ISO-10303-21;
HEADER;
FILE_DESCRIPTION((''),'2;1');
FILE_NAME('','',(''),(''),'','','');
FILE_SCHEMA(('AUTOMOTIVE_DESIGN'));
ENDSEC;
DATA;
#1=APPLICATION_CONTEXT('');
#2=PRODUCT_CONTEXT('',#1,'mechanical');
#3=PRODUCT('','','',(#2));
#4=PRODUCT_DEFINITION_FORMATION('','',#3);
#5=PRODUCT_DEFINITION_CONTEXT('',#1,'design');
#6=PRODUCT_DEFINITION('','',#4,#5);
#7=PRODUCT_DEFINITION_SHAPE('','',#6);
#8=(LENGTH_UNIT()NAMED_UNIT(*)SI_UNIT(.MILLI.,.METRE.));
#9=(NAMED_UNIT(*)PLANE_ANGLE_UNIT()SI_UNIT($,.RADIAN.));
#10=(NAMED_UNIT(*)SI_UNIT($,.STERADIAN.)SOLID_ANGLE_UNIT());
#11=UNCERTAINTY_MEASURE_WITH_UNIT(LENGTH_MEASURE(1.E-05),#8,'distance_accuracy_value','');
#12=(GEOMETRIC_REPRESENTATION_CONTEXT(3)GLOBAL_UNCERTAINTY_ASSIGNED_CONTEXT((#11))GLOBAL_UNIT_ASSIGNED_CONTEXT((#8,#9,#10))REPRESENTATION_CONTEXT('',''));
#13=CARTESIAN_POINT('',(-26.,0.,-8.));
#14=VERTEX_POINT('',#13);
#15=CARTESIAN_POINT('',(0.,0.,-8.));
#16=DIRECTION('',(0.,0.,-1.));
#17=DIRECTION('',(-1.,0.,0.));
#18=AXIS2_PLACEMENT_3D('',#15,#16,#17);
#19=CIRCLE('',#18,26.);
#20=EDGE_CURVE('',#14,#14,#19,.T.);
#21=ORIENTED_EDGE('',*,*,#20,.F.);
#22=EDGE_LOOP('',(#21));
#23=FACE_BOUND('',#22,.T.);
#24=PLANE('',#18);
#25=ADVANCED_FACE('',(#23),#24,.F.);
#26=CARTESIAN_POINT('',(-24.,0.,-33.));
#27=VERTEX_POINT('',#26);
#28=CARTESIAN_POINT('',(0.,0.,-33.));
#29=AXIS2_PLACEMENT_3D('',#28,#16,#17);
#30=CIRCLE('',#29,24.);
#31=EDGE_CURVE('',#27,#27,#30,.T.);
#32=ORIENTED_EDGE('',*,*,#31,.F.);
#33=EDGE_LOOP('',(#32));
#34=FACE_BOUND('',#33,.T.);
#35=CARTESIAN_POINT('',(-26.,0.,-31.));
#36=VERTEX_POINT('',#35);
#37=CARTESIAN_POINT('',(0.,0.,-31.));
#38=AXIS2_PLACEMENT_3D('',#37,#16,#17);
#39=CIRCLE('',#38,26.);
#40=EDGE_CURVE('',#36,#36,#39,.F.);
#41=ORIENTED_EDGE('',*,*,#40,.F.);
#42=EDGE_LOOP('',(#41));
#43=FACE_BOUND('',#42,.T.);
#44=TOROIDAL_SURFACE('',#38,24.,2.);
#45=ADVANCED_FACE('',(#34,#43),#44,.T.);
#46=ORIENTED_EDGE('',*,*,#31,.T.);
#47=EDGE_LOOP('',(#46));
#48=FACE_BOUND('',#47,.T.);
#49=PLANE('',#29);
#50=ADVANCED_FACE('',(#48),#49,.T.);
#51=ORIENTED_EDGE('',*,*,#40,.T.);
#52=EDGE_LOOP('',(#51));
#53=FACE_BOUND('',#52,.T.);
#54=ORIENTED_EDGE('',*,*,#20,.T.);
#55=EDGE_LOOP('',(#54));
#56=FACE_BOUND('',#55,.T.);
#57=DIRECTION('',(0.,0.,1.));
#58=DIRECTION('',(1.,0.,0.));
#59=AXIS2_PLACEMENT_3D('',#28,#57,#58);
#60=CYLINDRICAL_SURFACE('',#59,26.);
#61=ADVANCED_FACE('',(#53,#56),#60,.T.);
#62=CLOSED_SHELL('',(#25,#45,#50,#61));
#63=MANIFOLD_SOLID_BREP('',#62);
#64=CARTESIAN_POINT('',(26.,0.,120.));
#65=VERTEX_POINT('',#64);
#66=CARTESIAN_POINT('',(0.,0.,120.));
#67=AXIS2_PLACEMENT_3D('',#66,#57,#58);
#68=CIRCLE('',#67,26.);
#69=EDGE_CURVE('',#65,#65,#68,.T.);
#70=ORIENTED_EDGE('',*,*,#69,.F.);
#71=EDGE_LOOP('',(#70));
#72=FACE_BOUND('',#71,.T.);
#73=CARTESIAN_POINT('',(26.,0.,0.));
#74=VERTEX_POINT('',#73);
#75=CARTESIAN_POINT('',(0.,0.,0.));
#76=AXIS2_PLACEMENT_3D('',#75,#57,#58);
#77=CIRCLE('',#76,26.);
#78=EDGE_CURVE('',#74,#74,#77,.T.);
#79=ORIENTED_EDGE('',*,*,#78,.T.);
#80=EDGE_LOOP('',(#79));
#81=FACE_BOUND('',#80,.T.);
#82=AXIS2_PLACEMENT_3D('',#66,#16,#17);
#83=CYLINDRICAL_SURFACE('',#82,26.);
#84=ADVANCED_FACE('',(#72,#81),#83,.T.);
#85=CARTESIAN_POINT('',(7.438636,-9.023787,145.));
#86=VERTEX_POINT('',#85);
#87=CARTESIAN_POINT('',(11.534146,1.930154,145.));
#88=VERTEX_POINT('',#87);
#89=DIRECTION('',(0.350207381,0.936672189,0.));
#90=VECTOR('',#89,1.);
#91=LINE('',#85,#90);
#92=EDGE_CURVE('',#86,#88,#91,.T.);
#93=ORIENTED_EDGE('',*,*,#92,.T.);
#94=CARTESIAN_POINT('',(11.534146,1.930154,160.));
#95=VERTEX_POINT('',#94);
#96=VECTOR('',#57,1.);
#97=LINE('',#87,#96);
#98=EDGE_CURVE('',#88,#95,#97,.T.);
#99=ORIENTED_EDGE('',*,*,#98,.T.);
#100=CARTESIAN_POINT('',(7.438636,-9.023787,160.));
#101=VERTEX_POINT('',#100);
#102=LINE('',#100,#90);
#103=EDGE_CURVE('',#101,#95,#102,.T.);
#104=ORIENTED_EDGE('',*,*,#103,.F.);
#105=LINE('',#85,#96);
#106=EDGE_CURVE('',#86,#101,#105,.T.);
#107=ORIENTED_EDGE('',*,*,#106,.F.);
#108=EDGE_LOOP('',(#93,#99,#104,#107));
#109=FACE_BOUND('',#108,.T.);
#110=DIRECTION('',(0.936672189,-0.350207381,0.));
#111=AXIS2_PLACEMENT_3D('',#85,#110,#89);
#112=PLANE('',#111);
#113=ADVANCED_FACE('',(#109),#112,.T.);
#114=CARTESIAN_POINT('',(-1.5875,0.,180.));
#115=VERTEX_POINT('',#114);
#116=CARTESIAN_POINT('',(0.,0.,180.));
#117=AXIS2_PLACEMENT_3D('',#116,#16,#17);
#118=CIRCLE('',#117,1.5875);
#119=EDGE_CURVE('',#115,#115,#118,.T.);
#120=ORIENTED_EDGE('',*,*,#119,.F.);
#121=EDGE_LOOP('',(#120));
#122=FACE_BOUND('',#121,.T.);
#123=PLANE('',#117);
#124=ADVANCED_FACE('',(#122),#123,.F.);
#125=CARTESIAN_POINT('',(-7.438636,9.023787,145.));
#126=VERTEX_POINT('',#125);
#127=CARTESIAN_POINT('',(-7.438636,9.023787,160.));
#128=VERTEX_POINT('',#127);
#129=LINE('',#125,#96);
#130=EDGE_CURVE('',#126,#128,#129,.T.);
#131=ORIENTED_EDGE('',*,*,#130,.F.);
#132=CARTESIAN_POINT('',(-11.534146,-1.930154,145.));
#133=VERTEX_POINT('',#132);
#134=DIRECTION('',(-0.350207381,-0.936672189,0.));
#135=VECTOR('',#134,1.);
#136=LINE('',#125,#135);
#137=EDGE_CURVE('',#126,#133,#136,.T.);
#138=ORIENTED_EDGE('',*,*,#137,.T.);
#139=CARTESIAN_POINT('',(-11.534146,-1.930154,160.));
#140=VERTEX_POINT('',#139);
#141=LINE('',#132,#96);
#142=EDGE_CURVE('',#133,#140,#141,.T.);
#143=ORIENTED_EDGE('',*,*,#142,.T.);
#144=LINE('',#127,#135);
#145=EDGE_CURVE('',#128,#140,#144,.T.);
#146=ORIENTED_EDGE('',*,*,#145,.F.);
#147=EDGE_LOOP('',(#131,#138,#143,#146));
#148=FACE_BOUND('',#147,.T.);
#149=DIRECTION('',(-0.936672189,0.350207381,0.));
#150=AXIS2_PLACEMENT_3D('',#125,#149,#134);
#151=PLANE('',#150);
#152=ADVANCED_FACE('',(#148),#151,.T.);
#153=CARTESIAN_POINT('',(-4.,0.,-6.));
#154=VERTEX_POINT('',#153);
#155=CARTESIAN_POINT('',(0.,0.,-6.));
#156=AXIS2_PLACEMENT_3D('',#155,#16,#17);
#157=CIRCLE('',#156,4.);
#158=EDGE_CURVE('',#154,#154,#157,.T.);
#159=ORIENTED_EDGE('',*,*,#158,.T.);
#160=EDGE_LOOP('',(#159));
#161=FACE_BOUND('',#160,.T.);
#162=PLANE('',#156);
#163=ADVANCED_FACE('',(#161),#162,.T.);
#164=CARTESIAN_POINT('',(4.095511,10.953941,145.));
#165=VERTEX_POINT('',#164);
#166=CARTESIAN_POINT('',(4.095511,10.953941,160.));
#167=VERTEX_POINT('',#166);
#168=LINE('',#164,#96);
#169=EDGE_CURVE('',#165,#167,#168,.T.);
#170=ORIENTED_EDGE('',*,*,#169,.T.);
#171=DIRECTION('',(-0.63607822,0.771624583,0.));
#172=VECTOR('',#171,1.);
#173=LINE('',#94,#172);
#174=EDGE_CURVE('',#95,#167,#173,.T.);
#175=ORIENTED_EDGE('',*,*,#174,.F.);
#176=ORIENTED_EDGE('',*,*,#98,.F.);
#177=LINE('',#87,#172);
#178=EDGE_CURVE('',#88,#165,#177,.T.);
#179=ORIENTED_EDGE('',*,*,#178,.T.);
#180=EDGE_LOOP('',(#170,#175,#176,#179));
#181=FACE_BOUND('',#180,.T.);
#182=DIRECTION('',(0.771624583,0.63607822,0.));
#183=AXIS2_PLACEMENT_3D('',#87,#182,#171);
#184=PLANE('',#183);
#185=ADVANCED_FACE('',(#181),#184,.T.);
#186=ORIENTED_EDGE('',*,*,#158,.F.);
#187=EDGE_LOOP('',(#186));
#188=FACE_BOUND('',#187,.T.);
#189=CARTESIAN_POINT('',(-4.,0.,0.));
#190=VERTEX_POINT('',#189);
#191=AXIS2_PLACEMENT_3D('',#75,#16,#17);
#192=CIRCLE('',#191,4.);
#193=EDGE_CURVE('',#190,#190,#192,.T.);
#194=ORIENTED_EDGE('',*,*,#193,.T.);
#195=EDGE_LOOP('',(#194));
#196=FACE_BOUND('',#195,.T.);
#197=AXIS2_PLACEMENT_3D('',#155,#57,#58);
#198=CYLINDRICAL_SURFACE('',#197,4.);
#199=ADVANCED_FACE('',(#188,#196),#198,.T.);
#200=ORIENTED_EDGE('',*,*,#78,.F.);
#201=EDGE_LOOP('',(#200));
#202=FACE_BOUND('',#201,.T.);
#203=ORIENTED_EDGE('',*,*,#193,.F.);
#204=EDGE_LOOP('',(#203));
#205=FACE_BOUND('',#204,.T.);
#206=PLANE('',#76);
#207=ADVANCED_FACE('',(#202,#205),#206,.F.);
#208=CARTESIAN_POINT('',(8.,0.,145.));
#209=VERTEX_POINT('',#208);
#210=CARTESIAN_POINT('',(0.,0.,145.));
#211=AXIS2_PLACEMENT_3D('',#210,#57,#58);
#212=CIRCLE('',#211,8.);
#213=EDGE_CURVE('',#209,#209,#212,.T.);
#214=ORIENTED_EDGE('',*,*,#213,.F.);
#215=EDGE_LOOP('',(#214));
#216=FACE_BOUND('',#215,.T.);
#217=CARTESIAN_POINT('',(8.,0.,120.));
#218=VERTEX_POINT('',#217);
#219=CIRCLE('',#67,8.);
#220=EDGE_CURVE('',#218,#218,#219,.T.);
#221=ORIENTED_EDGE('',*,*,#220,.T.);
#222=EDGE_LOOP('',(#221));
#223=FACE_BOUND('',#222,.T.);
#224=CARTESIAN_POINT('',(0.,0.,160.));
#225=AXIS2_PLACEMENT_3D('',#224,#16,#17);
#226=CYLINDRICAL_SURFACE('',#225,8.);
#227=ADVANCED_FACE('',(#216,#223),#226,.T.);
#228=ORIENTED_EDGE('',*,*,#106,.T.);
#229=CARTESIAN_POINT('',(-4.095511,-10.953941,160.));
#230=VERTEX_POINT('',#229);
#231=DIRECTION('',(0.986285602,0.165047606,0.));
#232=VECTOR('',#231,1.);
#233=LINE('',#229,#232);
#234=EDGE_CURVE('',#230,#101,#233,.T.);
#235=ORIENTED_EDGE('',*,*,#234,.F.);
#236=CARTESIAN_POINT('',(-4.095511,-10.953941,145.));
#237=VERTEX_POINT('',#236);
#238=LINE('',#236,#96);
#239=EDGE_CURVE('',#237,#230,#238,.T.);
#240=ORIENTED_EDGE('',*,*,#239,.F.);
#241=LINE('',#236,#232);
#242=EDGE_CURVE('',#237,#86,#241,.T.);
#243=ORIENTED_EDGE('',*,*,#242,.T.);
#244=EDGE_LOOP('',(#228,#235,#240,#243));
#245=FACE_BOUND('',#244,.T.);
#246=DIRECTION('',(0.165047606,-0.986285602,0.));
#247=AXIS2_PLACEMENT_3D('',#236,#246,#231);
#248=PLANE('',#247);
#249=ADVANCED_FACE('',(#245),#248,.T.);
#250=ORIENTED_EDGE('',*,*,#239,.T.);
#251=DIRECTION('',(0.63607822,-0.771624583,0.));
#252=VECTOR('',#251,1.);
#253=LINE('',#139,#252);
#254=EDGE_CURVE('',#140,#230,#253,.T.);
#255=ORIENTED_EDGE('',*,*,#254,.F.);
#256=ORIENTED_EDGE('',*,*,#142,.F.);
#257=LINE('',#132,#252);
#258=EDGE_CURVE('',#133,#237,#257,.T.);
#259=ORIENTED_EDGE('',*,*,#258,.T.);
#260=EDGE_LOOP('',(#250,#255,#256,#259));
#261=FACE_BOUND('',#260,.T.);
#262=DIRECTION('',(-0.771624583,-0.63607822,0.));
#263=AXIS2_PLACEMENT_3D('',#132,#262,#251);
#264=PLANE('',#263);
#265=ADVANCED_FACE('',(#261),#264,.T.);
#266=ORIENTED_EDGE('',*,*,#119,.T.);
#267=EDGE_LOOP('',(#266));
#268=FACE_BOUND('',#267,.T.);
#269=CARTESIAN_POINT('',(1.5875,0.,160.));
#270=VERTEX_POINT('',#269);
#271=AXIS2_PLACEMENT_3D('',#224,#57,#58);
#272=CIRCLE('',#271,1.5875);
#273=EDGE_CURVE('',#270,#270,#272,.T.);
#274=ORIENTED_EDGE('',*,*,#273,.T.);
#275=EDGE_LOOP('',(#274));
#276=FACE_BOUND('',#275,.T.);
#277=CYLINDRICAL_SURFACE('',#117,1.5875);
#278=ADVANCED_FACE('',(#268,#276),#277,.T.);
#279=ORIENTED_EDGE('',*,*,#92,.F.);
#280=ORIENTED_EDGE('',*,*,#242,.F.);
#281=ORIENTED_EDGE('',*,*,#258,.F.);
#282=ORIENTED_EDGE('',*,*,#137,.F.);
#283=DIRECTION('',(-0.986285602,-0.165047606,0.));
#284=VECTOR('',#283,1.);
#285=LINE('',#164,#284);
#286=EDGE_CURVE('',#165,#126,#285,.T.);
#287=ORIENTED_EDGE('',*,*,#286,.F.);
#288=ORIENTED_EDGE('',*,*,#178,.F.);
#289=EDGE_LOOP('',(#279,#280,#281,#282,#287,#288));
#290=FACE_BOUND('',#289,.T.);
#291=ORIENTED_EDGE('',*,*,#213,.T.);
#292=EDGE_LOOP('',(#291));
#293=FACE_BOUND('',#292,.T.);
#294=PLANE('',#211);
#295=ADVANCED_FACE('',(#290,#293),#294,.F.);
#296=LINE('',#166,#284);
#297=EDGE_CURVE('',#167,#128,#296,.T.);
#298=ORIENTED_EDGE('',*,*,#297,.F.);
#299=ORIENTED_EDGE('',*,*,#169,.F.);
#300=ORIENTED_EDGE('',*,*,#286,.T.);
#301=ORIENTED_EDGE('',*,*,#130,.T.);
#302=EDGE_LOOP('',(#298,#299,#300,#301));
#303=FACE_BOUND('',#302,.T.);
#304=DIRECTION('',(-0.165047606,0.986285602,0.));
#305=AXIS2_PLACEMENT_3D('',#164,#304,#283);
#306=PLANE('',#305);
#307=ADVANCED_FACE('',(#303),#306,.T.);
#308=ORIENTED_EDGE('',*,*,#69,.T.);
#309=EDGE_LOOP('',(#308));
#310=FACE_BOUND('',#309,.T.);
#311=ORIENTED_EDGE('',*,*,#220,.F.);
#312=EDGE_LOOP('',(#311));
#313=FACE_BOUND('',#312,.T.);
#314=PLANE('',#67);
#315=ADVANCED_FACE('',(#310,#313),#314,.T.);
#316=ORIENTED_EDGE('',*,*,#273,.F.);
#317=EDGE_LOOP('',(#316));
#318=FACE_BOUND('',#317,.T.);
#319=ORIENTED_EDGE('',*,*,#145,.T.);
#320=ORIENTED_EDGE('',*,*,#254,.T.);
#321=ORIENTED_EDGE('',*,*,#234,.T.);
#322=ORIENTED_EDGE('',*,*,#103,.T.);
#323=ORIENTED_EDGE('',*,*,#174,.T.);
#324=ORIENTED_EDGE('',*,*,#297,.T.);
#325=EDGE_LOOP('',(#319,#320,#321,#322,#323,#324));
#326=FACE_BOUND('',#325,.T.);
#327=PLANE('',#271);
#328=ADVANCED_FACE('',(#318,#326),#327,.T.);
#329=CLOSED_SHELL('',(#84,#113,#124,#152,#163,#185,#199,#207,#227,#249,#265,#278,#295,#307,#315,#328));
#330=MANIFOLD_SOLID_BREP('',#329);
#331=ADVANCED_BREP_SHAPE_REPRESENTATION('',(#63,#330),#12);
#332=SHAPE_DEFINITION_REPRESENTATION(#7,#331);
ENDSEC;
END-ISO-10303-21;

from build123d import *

# Parameters (mm, degrees)
SKETCH_1_R      = 26
EXTRUDE_1_DEPTH = 120
EXTRUDE_START   = 8
SKETCH_2_R      = 26
EXTRUDE_2_DEPTH = 25
FILLET_1_R      = 2
SKETCH_3_R      = 8
EXTRUDE_3_DEPTH = 40
EXTRUDE_4_DEPTH = 15
SKETCH_5_R      = 1.5875
EXTRUDE_5_DEPTH = 20
SKETCH_7_R      = 4
EXTRUDE_6_DEPTH = 6


with BuildPart() as part:
    # Эскиз1 → Бобышка-Вытянуть1 (new body)
    with BuildSketch(Plane.XY):
        Circle(SKETCH_1_R)
    extrude(amount=EXTRUDE_1_DEPTH)

    # Эскиз3 → Бобышка-Вытянуть3 (add)
    with BuildSketch(Plane.XY.offset(120)):
        Circle(SKETCH_3_R)
    extrude(amount=EXTRUDE_3_DEPTH)

    # Эскиз4 → Бобышка-Вытянуть4 (add)
    with BuildSketch(Plane.XY.offset(160)):
        Polygon((11.534146379, 1.930154149), (4.095510664, 10.95394085), (-7.438635716, 9.023786701), (-11.534146379, -1.930154149), (-4.095510664, -10.95394085), (7.438635716, -9.023786701), align=None)
    extrude(amount=-EXTRUDE_4_DEPTH)

    # Эскиз5 → Бобышка-Вытянуть5 (add)
    with BuildSketch(Plane(origin=(0, 0, 160), x_dir=(-1, 0, 0), z_dir=(0, 0, -1))):
        Circle(SKETCH_5_R)
    extrude(amount=-EXTRUDE_5_DEPTH)

    # Эскиз7 → Бобышка-Вытянуть6 (add)
    with BuildSketch(Plane(origin=(0, 0, 0), x_dir=(-1, 0, 0), z_dir=(0, 0, -1))):
        Circle(SKETCH_7_R)
    extrude(amount=EXTRUDE_6_DEPTH)


with BuildPart() as body_2:
    # Эскиз2 → Бобышка-Вытянуть2 (new body)
    with BuildSketch(Plane(origin=(0, 0, 0), x_dir=(-1, 0, 0), z_dir=(0, 0, -1)).offset(EXTRUDE_START)):
        Circle(SKETCH_2_R)
    extrude(amount=EXTRUDE_2_DEPTH)

    # Скругление1
    fillet_1_edges = [body_2.edges().sort_by_distance(p)[0] for p in [
        (26, 0, -33),
    ]]
    fillet(fillet_1_edges, radius=FILLET_1_R)


solid = Compound([part.part, body_2.part])
